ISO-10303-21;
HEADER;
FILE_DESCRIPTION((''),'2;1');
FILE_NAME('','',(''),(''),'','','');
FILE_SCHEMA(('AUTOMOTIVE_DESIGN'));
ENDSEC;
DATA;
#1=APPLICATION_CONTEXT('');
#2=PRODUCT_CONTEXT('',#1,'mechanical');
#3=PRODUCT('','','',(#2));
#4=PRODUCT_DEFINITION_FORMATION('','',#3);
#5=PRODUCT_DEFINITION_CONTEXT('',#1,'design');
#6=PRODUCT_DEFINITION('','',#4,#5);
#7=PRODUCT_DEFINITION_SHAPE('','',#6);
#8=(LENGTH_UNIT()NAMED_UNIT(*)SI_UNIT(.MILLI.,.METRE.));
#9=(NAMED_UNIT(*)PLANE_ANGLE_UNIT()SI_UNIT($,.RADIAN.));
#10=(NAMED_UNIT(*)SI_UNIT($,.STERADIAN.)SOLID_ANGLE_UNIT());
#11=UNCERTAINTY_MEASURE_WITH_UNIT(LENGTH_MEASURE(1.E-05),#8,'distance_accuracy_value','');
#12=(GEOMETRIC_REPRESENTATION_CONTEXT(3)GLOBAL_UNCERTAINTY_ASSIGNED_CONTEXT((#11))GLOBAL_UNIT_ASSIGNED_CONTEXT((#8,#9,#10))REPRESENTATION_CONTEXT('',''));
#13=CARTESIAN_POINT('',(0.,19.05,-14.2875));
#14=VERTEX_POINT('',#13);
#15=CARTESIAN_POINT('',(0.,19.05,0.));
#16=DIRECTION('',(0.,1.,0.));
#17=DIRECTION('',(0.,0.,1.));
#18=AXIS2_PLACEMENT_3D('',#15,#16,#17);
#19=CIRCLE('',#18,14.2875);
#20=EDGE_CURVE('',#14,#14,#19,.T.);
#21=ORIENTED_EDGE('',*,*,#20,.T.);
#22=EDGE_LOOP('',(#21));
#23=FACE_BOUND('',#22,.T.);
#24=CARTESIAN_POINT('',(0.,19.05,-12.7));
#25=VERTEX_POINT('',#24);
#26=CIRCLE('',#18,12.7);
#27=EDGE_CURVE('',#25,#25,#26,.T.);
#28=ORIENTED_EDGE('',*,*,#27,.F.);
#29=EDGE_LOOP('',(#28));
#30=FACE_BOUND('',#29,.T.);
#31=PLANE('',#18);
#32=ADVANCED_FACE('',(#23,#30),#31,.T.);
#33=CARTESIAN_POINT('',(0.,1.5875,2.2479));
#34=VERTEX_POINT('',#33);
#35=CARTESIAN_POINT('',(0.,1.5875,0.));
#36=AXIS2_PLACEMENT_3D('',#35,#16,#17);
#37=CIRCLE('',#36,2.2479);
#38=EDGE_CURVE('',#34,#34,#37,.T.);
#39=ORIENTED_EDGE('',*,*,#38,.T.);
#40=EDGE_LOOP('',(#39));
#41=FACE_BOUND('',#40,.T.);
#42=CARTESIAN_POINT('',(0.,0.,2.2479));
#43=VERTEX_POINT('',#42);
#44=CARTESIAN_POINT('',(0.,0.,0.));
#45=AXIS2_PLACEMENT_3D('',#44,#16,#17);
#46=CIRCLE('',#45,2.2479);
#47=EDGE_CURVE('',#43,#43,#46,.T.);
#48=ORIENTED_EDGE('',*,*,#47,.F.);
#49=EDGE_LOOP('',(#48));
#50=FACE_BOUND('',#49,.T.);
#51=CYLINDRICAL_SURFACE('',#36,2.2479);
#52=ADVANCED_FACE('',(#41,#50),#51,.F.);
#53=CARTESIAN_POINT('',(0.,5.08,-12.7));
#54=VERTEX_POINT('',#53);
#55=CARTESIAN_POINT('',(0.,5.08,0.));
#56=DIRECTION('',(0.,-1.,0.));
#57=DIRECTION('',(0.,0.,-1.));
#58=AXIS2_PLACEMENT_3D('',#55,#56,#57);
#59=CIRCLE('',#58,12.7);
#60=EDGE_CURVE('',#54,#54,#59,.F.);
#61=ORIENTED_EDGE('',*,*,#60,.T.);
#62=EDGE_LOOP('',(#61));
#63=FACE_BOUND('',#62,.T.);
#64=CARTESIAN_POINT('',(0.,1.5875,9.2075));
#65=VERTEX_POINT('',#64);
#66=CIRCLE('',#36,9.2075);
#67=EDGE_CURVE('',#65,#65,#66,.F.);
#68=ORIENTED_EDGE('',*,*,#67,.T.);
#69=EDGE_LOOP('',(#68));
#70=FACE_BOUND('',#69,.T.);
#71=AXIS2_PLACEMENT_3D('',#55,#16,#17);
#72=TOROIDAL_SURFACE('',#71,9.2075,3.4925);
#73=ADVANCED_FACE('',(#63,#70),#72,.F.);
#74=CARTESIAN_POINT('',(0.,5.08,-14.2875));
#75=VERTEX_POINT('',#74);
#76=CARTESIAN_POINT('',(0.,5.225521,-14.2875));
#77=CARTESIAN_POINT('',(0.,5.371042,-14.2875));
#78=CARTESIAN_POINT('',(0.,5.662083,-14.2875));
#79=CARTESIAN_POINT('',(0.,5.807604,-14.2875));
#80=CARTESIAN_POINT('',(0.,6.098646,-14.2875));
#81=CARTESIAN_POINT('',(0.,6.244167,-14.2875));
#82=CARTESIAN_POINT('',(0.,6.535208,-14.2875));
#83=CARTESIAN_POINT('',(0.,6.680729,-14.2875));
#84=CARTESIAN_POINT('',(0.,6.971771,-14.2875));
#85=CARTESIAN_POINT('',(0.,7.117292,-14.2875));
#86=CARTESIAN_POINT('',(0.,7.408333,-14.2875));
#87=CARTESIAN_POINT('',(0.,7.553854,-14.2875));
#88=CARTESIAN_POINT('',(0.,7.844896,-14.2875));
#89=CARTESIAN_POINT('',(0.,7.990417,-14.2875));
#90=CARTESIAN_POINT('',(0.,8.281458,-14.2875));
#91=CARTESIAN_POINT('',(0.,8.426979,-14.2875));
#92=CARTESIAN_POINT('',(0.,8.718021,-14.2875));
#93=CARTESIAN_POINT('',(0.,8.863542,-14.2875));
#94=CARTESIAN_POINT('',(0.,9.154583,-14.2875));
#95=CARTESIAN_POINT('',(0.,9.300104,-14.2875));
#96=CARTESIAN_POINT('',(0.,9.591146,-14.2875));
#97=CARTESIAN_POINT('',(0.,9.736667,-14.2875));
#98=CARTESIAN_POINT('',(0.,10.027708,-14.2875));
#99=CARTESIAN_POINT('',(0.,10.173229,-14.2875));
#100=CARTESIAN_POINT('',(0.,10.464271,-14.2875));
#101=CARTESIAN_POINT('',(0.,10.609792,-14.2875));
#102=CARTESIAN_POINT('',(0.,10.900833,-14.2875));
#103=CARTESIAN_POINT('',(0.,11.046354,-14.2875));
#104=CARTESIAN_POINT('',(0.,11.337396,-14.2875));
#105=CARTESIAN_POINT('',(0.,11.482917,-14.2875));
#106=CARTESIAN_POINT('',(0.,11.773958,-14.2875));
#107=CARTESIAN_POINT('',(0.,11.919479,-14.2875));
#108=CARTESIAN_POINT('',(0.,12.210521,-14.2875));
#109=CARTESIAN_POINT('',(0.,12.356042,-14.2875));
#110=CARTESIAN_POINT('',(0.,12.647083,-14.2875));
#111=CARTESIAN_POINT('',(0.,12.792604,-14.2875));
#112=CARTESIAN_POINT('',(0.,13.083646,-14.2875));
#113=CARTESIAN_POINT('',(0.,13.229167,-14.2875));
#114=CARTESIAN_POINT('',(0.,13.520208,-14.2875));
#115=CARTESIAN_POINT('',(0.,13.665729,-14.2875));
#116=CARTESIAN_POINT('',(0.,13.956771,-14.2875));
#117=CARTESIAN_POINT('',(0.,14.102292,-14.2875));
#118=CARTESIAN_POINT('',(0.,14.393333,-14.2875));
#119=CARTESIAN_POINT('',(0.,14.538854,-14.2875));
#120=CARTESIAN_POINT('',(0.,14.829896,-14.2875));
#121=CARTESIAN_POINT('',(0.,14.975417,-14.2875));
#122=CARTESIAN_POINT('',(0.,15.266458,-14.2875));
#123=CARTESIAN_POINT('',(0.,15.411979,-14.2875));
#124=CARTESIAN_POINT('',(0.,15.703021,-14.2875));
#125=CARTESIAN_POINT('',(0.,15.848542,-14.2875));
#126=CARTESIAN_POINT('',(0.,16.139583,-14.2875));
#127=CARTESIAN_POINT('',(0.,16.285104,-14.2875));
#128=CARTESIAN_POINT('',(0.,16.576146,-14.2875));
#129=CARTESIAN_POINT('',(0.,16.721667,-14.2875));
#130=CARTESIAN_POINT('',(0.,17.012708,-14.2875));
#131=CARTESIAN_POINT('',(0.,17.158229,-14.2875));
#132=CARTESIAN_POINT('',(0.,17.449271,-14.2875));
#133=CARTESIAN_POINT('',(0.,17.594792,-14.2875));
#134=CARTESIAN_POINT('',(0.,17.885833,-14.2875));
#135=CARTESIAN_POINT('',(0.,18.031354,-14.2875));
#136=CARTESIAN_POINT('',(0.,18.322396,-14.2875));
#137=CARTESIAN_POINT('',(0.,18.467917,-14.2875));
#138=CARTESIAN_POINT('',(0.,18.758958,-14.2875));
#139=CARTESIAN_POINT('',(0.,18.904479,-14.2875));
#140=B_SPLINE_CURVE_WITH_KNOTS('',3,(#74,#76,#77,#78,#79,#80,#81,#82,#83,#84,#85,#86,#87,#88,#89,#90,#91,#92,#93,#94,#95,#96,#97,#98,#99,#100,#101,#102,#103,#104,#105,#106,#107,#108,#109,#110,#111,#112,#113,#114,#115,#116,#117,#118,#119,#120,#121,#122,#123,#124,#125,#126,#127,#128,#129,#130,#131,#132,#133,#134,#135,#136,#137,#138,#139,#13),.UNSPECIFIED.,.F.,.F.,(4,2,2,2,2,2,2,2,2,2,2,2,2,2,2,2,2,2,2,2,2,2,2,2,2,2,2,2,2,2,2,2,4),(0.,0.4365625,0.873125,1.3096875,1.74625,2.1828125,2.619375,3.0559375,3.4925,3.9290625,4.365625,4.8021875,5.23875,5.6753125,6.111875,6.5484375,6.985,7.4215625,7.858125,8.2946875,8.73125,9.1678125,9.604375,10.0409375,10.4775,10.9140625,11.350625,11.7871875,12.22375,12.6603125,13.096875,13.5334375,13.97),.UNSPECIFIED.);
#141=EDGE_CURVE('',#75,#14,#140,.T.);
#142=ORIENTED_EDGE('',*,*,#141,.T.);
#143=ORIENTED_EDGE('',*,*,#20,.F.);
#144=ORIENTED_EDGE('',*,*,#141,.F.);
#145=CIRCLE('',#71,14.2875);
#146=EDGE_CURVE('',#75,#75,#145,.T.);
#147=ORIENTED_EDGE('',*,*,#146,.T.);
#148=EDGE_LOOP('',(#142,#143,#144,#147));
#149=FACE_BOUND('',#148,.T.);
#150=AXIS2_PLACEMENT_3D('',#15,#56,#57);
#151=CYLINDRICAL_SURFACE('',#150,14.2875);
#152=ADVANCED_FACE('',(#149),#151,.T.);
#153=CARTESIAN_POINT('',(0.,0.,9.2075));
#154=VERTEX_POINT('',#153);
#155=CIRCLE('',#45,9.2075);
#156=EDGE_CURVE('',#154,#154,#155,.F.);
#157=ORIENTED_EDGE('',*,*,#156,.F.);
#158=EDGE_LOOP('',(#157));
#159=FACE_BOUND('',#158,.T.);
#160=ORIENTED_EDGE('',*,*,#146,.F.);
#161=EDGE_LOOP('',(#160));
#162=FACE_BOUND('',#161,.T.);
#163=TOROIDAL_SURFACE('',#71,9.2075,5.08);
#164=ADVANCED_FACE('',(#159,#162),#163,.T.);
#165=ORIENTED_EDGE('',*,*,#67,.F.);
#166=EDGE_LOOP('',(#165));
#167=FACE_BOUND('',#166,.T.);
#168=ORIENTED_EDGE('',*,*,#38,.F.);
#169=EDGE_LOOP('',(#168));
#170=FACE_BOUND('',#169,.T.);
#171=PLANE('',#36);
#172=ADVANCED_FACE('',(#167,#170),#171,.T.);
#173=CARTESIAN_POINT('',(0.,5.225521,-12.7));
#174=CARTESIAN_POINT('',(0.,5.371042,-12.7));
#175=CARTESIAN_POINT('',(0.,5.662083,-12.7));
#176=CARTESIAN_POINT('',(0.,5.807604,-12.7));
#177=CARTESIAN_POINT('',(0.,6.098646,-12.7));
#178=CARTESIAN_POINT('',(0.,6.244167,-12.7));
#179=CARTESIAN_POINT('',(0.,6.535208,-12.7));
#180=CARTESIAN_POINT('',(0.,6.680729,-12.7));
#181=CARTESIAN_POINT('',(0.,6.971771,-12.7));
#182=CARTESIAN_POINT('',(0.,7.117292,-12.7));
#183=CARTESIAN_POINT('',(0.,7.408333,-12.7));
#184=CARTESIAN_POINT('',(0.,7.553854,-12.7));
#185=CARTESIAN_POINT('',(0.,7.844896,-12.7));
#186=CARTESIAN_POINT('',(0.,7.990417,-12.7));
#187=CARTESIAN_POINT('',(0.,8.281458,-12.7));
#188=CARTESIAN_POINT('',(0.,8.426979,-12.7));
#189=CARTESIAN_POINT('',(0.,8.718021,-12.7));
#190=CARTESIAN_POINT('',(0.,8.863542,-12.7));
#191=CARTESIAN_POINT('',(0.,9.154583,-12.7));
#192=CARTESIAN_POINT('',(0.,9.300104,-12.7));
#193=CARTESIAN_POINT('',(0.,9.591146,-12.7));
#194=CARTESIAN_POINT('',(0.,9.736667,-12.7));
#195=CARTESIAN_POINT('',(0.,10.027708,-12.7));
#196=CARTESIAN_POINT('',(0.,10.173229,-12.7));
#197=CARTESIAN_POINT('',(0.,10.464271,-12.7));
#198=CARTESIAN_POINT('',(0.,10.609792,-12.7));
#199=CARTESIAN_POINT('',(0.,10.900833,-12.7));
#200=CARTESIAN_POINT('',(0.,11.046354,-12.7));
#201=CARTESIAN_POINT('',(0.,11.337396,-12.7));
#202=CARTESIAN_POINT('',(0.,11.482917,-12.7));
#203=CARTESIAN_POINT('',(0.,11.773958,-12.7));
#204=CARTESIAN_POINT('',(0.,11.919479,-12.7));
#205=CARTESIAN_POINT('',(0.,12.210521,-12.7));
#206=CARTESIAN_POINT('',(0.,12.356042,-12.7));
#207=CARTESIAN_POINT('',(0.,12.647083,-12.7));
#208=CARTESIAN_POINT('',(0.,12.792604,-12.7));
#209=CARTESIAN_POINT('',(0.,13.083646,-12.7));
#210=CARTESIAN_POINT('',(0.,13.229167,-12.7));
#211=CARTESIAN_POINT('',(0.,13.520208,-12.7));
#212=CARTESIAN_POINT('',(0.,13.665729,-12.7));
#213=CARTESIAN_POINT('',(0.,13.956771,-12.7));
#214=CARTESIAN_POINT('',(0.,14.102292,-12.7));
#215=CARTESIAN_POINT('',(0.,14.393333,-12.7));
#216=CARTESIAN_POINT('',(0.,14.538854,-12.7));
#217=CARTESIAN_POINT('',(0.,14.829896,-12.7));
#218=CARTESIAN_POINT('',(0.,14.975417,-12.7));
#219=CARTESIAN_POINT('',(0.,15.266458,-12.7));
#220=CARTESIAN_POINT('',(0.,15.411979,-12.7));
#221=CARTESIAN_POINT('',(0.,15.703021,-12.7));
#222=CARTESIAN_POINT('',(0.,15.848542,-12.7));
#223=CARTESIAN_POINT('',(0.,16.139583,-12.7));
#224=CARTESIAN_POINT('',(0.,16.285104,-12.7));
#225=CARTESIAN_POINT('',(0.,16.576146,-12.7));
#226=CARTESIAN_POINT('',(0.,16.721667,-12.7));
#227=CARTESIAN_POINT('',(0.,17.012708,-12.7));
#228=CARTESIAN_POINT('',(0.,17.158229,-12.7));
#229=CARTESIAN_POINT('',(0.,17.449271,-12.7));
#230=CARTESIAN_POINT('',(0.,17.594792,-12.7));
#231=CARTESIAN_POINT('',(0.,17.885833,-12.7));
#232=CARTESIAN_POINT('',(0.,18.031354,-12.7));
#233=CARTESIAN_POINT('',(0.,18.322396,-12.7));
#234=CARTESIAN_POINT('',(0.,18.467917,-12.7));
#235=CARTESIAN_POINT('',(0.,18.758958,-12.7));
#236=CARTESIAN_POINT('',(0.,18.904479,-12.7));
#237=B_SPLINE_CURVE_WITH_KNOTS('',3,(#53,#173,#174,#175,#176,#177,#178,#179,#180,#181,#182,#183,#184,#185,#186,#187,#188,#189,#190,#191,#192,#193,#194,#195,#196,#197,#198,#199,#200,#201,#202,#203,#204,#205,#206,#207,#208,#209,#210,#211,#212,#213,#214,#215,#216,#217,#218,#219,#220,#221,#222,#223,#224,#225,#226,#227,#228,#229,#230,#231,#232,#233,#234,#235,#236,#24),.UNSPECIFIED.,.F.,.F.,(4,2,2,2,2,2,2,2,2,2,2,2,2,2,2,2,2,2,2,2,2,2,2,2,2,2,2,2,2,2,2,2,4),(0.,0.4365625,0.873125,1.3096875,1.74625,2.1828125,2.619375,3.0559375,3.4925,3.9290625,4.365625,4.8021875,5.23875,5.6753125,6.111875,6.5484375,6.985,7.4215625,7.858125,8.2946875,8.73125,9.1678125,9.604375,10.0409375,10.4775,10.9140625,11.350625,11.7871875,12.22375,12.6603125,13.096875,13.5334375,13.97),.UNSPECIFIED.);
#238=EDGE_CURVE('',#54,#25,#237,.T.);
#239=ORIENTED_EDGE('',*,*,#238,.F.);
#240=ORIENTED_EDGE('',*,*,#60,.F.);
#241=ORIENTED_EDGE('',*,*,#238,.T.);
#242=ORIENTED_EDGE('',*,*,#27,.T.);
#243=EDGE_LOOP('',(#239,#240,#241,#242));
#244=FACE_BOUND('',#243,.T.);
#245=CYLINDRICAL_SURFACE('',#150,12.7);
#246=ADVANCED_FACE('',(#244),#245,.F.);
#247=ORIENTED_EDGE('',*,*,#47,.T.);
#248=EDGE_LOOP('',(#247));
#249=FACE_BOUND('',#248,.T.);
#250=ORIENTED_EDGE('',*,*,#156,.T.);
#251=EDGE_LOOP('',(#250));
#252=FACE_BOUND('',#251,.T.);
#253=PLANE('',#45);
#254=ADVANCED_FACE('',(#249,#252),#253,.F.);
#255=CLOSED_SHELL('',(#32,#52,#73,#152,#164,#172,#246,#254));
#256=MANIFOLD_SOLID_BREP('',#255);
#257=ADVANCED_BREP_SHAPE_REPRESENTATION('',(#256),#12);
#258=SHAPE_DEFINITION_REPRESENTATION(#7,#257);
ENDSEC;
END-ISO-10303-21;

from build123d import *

# Parameters (mm, degrees)
SKETCH1_R                 = 14.2875
BOSS_EXTRUDE1_DEPTH       = 19.05
FILLET1_R                 = 5.08
SHELL1_T                  = -1.5875
F_8_CLEARANCE_HOLE1_D     = 4.4958
F_8_CLEARANCE_HOLE1_DEPTH = 6.35
F_8_CLEARANCE_HOLE1_TIP   = 1.350674586


with BuildPart() as part:
    # Sketch1 → Boss-Extrude1 (new body)
    with BuildSketch(Plane(origin=(0, 0, 0), x_dir=(1, 0, 0), z_dir=(0, 1, 0))):
        with Locations(Location((0, 0, 0), (0, 0, 90))):
            Circle(SKETCH1_R)
    extrude(amount=BOSS_EXTRUDE1_DEPTH)

    # Fillet1
    fillet1_edges = [part.edges().sort_by_distance(p)[0] for p in [
        (0, 0, 14.2875),
    ]]
    fillet(fillet1_edges, radius=FILLET1_R)

    # Shell1
    shell1_openings = [part.faces().sort_by_distance(p)[0] for p in [
        (0, 19.05, 0),
    ]]
    offset(amount=SHELL1_T, openings=shell1_openings, kind=Kind.INTERSECTION)

    # #8 Clearance Hole1
    with Locations(Plane(origin=(0, 1.5875, 0), x_dir=(1, 0, 0), z_dir=(0, 1, 0))):
        with Locations((0, 0)):
            Hole(F_8_CLEARANCE_HOLE1_D / 2, depth=F_8_CLEARANCE_HOLE1_DEPTH)
            with Locations((0, 0, -(F_8_CLEARANCE_HOLE1_DEPTH + F_8_CLEARANCE_HOLE1_TIP / 2))):  # 118° drill point
                Cone(0, F_8_CLEARANCE_HOLE1_D / 2, F_8_CLEARANCE_HOLE1_TIP, mode=Mode.SUBTRACT)


solid = part.part
